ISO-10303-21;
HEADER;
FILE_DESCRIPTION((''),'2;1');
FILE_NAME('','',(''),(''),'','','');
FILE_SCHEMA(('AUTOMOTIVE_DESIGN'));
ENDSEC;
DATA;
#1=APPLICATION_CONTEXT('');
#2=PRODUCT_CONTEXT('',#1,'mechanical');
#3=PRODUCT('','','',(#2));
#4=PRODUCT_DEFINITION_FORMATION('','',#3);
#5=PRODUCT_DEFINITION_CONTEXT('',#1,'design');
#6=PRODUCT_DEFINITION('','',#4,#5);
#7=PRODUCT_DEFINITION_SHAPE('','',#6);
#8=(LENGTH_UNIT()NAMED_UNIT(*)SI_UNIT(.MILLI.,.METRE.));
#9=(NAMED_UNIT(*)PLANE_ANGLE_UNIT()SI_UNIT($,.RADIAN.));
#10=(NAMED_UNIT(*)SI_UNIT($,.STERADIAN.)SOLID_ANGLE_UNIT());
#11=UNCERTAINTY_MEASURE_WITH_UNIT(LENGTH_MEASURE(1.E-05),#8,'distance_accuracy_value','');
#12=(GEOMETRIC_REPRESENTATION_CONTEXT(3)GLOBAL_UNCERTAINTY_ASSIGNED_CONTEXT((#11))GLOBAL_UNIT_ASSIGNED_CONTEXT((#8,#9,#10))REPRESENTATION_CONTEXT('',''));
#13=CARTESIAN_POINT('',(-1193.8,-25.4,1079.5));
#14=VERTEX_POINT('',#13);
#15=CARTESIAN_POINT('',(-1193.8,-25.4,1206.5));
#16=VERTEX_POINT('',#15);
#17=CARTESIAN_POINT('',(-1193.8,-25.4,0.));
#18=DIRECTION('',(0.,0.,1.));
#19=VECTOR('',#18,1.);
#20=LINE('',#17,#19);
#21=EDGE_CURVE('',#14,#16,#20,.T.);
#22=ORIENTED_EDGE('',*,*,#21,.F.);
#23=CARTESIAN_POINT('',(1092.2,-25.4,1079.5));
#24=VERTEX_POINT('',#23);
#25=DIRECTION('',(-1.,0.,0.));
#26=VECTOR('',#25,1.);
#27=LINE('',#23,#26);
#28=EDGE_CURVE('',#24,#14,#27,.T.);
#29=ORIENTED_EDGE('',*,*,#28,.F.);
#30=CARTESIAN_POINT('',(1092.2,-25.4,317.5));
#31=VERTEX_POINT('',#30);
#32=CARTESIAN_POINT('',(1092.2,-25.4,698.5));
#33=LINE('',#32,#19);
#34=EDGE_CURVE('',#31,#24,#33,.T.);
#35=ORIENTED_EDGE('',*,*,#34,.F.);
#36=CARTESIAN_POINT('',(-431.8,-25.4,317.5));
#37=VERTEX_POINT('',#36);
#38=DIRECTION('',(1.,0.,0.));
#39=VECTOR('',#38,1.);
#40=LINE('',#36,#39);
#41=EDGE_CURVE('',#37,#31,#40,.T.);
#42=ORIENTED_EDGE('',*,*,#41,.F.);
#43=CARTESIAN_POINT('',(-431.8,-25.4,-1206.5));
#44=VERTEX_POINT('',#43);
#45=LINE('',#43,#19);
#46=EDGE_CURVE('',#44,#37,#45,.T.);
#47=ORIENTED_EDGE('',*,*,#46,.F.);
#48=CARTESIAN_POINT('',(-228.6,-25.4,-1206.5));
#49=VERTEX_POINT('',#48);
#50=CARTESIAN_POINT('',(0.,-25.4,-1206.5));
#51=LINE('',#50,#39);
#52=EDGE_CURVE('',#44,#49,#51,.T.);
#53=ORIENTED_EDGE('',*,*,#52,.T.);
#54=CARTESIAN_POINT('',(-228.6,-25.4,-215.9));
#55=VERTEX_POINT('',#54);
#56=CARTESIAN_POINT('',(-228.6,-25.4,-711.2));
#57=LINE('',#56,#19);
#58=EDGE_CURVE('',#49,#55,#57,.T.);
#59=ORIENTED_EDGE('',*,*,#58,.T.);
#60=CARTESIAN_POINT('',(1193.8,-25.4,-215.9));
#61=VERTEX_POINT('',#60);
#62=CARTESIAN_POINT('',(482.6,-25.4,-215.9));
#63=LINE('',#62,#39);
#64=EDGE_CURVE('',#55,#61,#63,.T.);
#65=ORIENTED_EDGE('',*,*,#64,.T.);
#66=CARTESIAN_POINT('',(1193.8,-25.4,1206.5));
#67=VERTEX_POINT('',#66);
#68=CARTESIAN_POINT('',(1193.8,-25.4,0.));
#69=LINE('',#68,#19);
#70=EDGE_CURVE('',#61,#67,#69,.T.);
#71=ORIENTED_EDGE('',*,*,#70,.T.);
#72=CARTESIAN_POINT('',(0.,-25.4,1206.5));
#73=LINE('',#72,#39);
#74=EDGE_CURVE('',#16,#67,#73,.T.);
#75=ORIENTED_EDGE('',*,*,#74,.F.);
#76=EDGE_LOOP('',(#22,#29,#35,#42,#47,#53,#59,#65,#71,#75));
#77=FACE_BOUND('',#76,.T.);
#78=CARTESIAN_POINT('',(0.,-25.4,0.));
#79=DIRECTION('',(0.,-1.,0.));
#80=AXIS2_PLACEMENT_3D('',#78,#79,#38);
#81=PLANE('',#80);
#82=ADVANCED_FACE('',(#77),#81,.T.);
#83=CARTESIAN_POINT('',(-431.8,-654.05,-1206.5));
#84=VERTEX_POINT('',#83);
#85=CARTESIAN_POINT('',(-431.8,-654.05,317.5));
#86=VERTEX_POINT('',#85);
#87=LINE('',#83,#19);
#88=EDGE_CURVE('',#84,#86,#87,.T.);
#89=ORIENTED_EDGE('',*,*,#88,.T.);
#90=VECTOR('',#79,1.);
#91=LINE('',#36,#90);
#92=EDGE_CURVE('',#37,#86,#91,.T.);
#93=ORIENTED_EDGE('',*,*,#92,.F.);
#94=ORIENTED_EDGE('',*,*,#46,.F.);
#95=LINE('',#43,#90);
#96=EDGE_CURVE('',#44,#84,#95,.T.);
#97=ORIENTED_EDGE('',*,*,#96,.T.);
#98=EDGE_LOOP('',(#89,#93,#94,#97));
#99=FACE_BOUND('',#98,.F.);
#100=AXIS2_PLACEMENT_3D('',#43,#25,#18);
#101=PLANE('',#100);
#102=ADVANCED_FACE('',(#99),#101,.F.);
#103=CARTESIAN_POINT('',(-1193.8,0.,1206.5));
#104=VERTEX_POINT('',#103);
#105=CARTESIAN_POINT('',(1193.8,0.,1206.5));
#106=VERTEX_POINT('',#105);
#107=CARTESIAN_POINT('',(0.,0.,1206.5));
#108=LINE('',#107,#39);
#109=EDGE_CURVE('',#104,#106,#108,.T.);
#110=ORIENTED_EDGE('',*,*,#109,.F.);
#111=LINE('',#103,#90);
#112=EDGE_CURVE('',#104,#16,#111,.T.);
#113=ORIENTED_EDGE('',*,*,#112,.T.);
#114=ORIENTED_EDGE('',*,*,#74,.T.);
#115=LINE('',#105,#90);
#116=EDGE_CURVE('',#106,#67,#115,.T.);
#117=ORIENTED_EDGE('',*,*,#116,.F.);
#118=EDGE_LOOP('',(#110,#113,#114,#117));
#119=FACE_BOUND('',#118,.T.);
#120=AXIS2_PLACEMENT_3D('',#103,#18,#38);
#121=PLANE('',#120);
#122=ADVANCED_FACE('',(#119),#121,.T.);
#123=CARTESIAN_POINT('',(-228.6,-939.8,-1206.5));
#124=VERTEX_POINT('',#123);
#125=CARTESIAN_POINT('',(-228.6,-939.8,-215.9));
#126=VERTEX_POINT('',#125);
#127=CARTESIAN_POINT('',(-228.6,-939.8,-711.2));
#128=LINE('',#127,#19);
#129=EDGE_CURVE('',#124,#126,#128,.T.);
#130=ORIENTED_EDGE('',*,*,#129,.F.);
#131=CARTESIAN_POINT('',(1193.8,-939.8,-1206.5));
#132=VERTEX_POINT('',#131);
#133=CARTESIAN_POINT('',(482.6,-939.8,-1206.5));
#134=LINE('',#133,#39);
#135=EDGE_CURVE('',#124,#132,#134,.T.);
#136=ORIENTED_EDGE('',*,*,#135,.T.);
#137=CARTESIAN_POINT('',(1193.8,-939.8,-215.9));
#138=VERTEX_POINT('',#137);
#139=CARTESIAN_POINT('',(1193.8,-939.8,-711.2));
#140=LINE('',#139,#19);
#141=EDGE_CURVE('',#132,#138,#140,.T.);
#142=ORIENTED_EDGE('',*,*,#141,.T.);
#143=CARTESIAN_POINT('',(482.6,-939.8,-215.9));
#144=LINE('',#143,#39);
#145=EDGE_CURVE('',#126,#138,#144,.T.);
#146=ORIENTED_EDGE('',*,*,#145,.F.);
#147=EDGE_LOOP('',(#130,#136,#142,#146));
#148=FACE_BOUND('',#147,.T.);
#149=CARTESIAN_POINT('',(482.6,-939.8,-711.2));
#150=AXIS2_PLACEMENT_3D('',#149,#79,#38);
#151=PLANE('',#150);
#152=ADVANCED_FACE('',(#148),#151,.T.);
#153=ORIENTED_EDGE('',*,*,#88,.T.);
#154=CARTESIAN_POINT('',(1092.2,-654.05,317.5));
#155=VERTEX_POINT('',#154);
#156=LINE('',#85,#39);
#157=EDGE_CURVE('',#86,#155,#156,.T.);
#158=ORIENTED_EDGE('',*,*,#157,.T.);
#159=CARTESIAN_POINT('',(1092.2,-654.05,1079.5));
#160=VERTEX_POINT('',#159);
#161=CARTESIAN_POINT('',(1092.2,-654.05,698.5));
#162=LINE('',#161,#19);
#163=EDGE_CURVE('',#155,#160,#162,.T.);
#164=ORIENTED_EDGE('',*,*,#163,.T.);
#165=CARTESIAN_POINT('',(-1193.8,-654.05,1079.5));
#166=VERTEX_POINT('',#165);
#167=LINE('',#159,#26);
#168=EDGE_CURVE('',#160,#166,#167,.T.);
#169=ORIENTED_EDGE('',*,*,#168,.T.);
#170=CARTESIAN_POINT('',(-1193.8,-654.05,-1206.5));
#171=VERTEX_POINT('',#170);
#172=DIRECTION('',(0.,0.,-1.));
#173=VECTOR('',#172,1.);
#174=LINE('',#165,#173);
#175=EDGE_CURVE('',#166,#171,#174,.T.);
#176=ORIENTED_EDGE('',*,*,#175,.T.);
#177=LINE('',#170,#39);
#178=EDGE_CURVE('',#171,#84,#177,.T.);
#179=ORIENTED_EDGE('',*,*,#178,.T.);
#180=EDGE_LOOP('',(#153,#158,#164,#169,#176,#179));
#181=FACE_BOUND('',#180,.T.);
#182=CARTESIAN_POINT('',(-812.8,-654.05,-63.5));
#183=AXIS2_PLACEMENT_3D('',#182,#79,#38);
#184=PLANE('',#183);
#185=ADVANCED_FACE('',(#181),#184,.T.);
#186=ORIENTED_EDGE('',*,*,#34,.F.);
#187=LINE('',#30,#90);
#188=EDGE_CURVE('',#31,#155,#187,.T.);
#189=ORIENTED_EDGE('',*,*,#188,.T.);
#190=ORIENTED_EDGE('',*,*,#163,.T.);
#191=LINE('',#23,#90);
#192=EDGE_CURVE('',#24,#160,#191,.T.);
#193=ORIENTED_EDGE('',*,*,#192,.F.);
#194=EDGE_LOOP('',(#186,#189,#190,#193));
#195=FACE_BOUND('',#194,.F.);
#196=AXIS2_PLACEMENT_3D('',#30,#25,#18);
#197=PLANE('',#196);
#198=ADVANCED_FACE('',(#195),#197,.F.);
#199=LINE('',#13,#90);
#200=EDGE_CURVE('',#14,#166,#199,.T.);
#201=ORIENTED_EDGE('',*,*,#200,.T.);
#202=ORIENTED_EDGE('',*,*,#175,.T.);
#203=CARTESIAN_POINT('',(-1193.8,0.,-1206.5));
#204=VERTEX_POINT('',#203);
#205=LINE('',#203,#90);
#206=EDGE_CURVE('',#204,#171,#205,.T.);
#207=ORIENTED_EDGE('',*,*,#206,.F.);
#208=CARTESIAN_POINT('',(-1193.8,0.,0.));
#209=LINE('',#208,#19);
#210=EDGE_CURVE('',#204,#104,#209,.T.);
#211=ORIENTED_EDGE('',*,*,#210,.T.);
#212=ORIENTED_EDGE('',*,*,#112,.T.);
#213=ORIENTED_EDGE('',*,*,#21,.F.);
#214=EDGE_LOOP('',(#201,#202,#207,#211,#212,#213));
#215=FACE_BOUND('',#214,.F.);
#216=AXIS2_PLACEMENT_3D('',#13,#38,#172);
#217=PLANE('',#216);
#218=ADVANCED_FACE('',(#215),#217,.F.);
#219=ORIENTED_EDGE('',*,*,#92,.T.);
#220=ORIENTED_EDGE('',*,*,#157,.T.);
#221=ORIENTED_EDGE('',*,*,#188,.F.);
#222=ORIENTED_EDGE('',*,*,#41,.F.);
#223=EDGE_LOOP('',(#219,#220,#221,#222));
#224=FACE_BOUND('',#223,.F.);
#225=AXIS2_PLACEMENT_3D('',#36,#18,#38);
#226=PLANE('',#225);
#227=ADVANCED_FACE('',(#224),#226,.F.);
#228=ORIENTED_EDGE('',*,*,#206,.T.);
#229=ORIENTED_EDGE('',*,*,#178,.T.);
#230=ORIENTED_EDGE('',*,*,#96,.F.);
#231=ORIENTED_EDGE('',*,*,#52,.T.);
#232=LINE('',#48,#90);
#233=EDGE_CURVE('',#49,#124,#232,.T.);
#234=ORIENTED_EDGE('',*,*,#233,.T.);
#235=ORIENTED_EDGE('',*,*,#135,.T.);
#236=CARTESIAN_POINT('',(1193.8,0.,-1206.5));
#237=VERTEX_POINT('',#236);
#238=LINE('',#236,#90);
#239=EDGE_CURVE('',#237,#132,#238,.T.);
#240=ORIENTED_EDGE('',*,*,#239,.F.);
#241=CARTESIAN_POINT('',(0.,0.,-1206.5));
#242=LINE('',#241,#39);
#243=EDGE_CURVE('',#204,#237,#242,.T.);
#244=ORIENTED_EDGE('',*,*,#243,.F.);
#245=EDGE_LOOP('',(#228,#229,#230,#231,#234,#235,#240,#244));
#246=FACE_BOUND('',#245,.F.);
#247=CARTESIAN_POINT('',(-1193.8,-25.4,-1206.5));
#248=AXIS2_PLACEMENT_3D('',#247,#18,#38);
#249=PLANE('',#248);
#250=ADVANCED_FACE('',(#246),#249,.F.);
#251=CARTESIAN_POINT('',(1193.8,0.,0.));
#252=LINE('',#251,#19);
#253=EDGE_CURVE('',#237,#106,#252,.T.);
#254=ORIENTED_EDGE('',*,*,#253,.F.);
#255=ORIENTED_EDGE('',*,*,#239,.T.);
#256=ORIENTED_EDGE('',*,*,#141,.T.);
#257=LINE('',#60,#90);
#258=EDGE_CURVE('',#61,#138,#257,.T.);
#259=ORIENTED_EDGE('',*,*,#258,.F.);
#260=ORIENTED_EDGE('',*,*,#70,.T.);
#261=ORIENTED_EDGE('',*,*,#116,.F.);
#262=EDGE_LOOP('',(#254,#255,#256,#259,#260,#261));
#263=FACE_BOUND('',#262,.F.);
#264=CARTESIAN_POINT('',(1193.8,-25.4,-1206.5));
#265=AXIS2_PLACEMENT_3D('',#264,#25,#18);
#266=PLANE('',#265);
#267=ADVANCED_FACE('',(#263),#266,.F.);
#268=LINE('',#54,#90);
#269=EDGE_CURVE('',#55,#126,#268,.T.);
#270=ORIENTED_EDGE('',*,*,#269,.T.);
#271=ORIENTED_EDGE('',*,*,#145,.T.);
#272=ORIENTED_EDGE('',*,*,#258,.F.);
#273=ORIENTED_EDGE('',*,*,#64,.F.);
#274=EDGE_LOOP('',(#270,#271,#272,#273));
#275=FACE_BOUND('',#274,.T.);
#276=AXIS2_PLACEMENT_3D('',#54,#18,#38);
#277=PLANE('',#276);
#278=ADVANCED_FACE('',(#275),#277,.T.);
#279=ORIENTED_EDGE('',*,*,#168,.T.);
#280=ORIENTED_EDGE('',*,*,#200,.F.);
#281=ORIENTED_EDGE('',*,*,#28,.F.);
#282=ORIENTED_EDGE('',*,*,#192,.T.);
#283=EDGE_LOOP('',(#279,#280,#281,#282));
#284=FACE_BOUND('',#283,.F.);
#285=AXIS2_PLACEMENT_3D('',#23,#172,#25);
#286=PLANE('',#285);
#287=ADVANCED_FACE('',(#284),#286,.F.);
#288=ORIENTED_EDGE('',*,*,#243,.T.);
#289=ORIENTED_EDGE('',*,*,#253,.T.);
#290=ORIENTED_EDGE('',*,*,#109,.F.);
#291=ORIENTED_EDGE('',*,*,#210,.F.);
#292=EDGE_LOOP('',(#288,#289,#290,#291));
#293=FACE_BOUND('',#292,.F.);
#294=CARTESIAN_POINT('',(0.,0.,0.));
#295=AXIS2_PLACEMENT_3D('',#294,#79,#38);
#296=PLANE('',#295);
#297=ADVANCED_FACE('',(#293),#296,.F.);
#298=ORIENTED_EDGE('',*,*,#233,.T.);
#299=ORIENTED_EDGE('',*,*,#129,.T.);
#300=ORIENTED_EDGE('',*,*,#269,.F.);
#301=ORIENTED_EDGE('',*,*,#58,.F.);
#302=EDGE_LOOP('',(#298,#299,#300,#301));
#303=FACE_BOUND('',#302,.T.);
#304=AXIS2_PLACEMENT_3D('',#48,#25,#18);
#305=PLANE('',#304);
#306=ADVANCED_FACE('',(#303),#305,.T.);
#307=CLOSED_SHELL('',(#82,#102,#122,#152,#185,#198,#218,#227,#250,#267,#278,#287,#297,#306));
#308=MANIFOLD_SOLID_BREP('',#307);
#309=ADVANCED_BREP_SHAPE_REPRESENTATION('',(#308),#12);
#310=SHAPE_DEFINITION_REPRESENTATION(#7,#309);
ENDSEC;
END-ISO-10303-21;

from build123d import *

# Parameters (mm, degrees)
F0_W     = 2387.6
F0_H     = 2413
F1_DEPTH = 25.4
F2_W     = 1422.4
F2_H     = 990.6
F3_DEPTH = 914.4
F4_W     = 762
F4_H     = 762
F5_DEPTH = 628.65


with BuildPart() as f1:
    # F0 (on Front) → F1 (new body)
    with BuildSketch(Plane.XZ):
        Rectangle(F0_W, F0_H)
    extrude(amount=F1_DEPTH)

    # F2 (on face) → F3 (join)
    with BuildSketch(Plane.XZ.offset(25.4)):
        with Locations((482.6, -711.2)):
            Rectangle(F2_W, F2_H)
    extrude(amount=F3_DEPTH)

    # F4 (on face) → F5 (join)
    with BuildSketch(Plane.XZ.offset(25.4)):
        Polygon((-1193.8, 1079.5), (-1193.8, -1206.5), (-431.8, -1206.5), (-431.8, 317.5), (-431.8, 1079.5), align=None)
        with Locations((-50.8, 698.5)):
            Rectangle(F4_W, F4_H)
        with Locations((711.2, 698.5)):
            Rectangle(F4_W, F4_H)
    extrude(amount=F5_DEPTH)


solid = f1.part
